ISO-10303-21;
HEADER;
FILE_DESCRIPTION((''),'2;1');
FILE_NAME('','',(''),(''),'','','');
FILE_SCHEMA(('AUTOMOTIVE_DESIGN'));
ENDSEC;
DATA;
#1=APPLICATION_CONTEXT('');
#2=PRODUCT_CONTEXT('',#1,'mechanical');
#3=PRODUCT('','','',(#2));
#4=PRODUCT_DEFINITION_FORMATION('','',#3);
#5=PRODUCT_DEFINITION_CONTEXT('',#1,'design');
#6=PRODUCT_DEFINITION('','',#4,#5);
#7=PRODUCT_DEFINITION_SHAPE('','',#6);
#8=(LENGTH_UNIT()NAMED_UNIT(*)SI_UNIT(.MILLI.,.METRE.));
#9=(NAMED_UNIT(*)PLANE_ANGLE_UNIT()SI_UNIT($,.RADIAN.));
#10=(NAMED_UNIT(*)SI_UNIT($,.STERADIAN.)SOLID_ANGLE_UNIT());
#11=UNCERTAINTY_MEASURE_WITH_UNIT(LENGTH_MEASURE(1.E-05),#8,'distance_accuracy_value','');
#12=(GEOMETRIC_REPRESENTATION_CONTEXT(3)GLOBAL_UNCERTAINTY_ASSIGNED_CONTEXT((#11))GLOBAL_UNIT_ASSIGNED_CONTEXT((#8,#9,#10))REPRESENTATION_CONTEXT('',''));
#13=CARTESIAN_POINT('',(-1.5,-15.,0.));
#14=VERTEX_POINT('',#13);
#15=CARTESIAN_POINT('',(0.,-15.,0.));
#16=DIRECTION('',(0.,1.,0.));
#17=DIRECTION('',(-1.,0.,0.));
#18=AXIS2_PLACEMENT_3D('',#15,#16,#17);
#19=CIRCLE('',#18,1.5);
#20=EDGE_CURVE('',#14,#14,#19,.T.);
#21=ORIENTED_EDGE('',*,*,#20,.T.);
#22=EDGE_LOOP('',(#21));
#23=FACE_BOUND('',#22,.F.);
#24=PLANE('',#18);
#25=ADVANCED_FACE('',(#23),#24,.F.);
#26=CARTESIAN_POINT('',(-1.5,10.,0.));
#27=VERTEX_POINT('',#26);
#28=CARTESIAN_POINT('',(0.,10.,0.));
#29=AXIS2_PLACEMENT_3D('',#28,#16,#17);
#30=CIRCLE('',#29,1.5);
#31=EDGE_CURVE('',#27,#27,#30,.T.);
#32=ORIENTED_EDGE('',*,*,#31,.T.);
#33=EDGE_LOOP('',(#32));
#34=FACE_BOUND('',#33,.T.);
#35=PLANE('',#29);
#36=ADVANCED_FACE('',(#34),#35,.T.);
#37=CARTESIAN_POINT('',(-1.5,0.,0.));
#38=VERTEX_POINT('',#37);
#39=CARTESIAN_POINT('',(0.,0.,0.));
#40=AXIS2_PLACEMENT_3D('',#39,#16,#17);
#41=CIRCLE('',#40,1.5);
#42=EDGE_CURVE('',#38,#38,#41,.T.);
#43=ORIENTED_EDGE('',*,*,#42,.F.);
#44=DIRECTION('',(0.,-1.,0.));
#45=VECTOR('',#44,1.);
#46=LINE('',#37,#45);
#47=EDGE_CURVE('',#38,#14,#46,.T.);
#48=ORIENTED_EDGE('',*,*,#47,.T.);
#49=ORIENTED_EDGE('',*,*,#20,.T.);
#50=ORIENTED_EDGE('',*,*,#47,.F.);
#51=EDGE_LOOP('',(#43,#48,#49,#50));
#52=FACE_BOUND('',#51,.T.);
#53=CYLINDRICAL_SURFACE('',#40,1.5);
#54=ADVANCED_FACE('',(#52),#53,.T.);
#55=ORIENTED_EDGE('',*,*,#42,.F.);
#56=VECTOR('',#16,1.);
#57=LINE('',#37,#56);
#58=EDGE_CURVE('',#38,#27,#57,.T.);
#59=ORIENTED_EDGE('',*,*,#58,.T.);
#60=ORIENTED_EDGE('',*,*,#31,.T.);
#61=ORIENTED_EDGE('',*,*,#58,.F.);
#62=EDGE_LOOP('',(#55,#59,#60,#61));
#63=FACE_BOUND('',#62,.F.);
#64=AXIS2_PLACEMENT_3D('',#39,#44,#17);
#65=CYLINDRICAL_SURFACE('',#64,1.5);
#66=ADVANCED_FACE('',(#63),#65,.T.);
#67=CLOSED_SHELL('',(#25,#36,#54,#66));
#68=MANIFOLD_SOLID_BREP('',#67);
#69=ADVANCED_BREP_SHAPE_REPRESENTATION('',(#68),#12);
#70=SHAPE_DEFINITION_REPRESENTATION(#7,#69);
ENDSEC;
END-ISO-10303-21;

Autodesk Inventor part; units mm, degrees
ref_plane "YZ Plane" through (0, 0, 0) normal (1, 0, 0) x (0, 1, 0)
ref_plane "XZ Plane" through (0, 0, 0) normal (0, 1, 0) x (-1, 0, 0)
ref_plane "XY Plane" through (0, 0, 0) normal (0, 0, 1) x (1, 0, 0)
sketch "sketch1" plane through (0, 0, 0) normal (0, 1, 0) x (-1, 0, 0)
  circle A0 centre (0, 0) radius 1.5
  dimension "d0" = 3
extrude "押し出し1" add sketch "sketch1" along normal blind 10 and the other way blind 15
thread "Thread1" size "M3x0.5" class "6g" standard "ANSI Metric M Profile" full length
properties part number "boron target m3 pin" material "Stainless Steel"
